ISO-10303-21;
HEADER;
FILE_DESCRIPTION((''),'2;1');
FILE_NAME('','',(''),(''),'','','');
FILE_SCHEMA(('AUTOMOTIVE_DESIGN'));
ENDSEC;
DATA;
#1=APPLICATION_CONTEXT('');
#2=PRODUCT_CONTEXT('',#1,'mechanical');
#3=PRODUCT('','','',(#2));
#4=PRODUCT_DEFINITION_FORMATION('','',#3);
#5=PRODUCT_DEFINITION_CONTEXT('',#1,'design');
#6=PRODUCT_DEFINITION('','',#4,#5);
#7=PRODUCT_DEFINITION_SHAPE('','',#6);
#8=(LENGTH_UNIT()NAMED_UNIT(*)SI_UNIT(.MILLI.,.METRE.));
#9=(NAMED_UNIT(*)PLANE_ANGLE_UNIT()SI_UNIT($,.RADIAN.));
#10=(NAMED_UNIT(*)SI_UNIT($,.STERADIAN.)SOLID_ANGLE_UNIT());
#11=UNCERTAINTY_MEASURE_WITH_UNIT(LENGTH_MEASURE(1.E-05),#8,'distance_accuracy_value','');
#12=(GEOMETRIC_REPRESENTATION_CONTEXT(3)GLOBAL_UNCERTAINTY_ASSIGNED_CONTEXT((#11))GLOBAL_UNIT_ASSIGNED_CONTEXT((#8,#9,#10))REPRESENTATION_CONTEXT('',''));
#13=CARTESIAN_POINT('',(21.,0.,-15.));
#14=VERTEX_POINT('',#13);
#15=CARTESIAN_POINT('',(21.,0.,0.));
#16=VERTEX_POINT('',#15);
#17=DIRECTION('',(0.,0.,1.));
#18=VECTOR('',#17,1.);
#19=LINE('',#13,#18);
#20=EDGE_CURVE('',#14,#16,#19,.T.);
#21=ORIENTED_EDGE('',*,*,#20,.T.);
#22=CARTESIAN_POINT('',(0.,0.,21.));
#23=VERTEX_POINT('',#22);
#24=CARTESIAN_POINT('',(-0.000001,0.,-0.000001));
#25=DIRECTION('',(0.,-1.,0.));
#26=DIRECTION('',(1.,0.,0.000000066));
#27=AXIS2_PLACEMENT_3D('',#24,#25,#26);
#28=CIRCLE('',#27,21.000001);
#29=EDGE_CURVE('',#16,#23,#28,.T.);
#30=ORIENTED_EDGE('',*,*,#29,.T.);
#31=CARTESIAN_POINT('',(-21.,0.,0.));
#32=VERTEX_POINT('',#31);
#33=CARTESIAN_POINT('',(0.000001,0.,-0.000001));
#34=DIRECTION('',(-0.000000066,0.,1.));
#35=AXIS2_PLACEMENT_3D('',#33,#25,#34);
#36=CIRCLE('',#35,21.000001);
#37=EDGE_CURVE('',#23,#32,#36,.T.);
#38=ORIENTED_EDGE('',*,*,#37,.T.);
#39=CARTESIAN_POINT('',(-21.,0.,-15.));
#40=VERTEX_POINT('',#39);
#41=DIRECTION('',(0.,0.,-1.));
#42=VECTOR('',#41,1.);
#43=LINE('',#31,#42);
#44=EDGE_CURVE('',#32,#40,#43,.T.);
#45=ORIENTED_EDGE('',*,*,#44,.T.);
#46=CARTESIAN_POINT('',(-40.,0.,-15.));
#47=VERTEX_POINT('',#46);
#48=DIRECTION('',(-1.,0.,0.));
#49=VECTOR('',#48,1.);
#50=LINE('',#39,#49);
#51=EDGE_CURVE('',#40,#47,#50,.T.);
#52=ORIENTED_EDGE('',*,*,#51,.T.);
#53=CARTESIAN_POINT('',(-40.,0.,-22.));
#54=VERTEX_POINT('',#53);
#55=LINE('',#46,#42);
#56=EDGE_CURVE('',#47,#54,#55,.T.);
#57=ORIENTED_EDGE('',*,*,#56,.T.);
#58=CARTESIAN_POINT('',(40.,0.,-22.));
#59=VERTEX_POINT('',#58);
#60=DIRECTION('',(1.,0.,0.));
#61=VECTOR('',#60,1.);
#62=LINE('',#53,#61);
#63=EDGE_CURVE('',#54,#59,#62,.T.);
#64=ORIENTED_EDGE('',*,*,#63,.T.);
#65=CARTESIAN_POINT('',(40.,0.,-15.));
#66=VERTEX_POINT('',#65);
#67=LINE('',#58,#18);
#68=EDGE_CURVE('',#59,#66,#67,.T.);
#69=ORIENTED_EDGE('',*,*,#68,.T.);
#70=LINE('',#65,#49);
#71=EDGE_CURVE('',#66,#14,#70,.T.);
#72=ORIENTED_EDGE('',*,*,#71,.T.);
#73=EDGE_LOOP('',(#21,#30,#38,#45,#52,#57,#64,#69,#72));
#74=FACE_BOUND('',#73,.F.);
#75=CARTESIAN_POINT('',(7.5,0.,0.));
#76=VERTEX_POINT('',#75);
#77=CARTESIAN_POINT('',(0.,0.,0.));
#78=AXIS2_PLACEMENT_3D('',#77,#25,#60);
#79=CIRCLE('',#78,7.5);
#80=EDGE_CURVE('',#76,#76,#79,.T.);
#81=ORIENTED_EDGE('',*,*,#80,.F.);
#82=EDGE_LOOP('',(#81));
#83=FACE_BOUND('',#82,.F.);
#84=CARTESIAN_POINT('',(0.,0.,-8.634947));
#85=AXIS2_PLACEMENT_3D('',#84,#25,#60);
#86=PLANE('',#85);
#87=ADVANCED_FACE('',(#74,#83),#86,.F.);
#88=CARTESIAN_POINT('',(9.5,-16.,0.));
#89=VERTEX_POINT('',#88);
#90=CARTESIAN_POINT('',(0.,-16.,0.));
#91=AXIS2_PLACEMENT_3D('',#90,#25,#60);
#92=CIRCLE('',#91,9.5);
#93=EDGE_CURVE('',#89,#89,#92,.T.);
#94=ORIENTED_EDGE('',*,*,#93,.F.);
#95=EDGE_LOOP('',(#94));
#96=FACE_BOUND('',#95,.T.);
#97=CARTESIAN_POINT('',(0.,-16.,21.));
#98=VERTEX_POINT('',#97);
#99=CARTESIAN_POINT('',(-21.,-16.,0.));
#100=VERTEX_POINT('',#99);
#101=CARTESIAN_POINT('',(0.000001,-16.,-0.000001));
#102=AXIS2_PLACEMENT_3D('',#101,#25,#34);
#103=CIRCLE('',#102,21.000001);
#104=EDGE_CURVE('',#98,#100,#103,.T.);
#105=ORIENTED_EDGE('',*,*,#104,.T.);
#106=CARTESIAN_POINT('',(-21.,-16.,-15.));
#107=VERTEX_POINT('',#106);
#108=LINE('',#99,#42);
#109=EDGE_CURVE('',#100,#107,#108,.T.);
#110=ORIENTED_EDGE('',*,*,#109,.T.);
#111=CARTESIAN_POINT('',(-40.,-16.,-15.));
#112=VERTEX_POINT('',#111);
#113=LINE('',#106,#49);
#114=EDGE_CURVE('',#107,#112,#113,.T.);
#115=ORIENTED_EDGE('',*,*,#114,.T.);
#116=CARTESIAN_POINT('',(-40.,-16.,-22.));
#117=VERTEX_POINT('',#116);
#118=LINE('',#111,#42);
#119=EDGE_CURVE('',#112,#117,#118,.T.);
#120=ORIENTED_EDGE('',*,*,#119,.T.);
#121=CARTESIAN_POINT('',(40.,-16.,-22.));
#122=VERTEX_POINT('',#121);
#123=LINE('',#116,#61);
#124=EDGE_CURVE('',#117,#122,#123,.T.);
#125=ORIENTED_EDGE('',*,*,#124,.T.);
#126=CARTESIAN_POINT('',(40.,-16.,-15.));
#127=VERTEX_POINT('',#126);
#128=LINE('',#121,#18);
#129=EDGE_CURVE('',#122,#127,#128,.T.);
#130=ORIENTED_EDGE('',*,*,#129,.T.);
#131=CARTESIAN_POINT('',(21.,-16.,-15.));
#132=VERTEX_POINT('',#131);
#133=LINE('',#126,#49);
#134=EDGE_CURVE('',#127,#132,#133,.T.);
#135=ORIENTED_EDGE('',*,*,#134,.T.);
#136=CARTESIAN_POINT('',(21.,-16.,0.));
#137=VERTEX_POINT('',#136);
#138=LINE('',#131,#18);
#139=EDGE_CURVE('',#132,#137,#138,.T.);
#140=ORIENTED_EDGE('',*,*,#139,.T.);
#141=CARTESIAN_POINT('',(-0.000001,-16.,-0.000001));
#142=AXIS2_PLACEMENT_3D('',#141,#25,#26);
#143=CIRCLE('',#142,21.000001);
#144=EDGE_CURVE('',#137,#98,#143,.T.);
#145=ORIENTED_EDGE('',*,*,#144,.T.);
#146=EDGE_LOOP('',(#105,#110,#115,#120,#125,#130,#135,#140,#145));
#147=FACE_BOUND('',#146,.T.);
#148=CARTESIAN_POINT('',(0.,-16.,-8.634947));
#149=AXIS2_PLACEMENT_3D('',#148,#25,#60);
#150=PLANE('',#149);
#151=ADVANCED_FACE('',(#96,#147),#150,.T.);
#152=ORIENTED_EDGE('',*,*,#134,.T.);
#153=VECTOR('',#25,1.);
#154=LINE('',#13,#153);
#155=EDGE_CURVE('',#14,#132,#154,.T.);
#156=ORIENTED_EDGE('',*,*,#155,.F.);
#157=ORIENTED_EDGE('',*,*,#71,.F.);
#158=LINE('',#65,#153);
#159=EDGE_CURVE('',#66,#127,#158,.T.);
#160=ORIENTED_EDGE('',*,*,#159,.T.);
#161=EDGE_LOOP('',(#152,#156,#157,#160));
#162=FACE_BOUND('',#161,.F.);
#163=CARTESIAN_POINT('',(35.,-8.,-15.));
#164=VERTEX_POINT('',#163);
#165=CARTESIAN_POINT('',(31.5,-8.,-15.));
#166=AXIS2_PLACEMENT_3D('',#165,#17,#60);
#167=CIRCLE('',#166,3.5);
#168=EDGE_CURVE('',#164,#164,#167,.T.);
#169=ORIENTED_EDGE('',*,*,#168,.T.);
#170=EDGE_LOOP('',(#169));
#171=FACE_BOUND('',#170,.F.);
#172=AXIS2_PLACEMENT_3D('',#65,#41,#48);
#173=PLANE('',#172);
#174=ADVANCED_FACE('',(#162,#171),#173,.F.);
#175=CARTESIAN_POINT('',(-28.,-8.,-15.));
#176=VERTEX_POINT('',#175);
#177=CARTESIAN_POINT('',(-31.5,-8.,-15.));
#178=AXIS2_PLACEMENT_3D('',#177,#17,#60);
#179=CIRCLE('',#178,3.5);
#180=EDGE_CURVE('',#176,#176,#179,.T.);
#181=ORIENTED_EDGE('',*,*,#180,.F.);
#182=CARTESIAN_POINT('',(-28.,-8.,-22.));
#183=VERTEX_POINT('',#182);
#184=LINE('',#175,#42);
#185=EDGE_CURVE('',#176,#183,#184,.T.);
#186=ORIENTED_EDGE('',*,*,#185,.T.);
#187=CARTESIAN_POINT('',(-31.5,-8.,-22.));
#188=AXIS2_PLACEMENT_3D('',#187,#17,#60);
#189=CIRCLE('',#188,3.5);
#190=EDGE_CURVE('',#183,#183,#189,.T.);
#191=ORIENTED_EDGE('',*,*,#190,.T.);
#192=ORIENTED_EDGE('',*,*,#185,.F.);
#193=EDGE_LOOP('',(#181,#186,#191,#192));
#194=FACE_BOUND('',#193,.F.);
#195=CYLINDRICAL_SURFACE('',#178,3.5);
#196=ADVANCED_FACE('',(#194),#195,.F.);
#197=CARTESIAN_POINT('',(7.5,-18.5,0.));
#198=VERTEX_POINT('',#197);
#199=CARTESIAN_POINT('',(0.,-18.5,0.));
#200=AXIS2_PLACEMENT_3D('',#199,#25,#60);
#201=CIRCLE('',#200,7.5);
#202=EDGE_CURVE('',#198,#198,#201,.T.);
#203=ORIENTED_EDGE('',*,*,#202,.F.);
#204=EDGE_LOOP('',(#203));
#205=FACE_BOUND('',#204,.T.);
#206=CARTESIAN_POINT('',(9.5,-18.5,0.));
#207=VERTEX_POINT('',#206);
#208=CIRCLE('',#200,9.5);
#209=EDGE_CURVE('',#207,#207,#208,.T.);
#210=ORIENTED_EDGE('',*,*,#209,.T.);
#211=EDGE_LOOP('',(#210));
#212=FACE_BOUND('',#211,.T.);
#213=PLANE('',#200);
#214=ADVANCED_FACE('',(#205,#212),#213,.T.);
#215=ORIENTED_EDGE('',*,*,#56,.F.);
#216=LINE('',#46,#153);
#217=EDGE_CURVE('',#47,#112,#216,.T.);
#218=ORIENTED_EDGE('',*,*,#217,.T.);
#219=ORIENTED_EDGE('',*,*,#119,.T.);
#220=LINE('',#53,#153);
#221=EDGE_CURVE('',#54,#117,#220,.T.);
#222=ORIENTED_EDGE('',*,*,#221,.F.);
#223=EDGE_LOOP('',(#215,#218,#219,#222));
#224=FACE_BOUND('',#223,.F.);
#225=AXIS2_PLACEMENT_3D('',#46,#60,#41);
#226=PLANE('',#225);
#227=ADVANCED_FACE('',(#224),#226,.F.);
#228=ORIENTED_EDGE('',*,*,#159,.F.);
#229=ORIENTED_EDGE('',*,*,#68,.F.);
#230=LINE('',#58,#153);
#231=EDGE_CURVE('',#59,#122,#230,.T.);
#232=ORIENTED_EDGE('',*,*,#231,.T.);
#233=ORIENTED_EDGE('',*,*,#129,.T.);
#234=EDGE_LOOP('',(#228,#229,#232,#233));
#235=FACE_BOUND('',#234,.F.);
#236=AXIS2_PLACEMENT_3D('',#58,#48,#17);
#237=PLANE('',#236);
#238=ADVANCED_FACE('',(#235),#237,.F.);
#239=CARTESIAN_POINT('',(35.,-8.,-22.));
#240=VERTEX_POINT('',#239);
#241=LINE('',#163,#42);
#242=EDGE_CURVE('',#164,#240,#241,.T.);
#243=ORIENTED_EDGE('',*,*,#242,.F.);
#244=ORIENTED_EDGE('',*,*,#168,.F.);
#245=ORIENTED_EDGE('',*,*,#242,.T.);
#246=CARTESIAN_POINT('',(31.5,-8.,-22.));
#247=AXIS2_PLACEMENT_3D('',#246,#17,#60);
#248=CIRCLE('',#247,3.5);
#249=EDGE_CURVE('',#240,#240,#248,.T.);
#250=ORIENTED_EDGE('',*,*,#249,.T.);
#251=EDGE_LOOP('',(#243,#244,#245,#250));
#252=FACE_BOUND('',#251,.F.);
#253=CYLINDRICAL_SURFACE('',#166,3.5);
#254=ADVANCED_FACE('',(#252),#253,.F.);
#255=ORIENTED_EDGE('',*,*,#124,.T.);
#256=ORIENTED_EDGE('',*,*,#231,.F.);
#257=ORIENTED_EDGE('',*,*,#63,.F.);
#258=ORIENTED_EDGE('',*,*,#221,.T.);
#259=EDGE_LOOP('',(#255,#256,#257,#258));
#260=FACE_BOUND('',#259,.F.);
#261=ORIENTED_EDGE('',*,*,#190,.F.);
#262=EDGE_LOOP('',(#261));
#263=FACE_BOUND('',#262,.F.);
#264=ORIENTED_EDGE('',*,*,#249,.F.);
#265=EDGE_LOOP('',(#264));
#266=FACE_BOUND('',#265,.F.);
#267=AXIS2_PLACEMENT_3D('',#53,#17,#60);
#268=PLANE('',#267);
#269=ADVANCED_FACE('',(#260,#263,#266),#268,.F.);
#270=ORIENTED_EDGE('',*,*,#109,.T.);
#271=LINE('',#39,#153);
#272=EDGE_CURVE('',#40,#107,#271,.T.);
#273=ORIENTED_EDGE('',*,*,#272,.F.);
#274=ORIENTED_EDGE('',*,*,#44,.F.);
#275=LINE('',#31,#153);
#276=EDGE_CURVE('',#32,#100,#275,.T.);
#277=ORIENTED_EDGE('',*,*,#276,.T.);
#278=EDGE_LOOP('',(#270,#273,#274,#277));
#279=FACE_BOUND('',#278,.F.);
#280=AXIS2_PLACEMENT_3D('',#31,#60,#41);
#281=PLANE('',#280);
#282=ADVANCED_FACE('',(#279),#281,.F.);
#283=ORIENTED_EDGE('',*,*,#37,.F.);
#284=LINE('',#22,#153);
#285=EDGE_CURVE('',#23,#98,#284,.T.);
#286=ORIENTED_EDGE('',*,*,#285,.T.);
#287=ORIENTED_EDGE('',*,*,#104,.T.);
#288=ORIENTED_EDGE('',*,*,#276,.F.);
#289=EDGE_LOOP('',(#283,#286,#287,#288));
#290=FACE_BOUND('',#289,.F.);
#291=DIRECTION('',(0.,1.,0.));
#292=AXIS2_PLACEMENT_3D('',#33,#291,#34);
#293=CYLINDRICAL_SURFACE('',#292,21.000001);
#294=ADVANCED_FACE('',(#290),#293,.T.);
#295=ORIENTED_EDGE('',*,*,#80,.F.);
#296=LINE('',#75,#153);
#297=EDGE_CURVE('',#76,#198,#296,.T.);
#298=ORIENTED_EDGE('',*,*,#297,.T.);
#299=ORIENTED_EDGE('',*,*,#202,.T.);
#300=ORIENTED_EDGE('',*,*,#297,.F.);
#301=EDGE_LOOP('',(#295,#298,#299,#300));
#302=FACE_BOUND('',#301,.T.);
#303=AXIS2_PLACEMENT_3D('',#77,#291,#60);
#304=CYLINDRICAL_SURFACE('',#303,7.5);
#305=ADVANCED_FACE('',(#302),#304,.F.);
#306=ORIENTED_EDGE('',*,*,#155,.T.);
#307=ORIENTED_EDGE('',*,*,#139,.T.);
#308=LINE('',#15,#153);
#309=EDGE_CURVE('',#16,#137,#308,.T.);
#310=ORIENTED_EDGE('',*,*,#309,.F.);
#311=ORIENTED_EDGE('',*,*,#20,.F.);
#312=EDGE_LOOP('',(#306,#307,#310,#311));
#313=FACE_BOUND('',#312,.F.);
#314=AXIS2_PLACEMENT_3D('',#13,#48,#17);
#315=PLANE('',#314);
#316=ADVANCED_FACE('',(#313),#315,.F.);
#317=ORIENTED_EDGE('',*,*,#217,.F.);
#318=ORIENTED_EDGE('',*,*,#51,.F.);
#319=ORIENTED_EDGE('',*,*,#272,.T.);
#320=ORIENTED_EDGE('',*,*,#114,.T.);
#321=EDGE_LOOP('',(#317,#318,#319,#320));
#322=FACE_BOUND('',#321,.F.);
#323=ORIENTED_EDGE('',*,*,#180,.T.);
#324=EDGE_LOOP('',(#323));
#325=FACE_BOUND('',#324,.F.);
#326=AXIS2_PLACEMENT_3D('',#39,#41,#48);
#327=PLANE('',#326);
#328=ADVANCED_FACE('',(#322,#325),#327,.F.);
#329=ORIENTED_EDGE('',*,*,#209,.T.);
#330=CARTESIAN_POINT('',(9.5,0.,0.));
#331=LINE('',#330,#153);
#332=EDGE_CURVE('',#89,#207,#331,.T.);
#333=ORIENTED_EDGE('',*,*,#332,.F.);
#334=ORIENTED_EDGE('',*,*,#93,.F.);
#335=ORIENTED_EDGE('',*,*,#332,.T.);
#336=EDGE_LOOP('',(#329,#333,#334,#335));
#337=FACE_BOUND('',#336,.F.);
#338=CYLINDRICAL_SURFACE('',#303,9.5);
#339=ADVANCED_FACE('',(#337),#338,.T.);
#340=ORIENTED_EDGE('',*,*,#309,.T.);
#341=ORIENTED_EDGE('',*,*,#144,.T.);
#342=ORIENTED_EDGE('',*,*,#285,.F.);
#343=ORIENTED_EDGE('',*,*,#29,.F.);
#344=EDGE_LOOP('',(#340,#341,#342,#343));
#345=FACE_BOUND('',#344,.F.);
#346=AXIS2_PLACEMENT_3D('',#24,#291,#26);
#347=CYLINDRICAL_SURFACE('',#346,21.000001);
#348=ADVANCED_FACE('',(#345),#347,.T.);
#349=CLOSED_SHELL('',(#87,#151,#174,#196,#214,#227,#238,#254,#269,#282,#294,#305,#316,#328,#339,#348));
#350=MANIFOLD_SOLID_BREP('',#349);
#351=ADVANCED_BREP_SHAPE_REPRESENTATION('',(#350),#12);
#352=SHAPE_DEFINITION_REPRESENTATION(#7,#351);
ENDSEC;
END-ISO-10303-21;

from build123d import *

# Parameters (mm, degrees)
F0_R     = 9.5
F0_R_2   = 7.5
F1_DEPTH = 18.5
F2_DEPTH = 16
F3_R     = 3.5
F4_DEPTH = 7.001


with BuildPart() as f1:
    # F0 (on Front) → F1 (new body)
    with BuildSketch(Plane.XZ):
        Circle(F0_R)
        Circle(F0_R_2, mode=Mode.SUBTRACT)
    extrude(amount=F1_DEPTH)

    # F0 (on Front) → F2 (join)
    with BuildSketch(Plane.XZ):
        with BuildLine():
            Line((-40, -22), (0, -22))
            Line((0, -22), (40, -22))
            Line((40, -22), (40, -15))
            Line((40, -15), (21, -15))
            Line((21, -15), (21, 0))
            ThreePointArc((21, 0), (14.849242, 14.849242), (0, 21))
            ThreePointArc((0, 21), (-14.849242, 14.849242), (-21, 0))
            Line((-21, 0), (-21, -15))
            Line((-21, -15), (-40, -15))
            Line((-40, -15), (-40, -22))
        make_face()
        Circle(F0_R, mode=Mode.SUBTRACT)
    extrude(amount=F2_DEPTH)

    # F3 (on face) → F4 (cut, through all)
    with BuildSketch(Plane.XY.offset(-15)):
        with Locations((-31.5, -8)):
            Circle(F3_R)
        with Locations((31.5, -8)):
            Circle(F3_R)
    extrude(amount=-F4_DEPTH, mode=Mode.SUBTRACT)


solid = f1.part
